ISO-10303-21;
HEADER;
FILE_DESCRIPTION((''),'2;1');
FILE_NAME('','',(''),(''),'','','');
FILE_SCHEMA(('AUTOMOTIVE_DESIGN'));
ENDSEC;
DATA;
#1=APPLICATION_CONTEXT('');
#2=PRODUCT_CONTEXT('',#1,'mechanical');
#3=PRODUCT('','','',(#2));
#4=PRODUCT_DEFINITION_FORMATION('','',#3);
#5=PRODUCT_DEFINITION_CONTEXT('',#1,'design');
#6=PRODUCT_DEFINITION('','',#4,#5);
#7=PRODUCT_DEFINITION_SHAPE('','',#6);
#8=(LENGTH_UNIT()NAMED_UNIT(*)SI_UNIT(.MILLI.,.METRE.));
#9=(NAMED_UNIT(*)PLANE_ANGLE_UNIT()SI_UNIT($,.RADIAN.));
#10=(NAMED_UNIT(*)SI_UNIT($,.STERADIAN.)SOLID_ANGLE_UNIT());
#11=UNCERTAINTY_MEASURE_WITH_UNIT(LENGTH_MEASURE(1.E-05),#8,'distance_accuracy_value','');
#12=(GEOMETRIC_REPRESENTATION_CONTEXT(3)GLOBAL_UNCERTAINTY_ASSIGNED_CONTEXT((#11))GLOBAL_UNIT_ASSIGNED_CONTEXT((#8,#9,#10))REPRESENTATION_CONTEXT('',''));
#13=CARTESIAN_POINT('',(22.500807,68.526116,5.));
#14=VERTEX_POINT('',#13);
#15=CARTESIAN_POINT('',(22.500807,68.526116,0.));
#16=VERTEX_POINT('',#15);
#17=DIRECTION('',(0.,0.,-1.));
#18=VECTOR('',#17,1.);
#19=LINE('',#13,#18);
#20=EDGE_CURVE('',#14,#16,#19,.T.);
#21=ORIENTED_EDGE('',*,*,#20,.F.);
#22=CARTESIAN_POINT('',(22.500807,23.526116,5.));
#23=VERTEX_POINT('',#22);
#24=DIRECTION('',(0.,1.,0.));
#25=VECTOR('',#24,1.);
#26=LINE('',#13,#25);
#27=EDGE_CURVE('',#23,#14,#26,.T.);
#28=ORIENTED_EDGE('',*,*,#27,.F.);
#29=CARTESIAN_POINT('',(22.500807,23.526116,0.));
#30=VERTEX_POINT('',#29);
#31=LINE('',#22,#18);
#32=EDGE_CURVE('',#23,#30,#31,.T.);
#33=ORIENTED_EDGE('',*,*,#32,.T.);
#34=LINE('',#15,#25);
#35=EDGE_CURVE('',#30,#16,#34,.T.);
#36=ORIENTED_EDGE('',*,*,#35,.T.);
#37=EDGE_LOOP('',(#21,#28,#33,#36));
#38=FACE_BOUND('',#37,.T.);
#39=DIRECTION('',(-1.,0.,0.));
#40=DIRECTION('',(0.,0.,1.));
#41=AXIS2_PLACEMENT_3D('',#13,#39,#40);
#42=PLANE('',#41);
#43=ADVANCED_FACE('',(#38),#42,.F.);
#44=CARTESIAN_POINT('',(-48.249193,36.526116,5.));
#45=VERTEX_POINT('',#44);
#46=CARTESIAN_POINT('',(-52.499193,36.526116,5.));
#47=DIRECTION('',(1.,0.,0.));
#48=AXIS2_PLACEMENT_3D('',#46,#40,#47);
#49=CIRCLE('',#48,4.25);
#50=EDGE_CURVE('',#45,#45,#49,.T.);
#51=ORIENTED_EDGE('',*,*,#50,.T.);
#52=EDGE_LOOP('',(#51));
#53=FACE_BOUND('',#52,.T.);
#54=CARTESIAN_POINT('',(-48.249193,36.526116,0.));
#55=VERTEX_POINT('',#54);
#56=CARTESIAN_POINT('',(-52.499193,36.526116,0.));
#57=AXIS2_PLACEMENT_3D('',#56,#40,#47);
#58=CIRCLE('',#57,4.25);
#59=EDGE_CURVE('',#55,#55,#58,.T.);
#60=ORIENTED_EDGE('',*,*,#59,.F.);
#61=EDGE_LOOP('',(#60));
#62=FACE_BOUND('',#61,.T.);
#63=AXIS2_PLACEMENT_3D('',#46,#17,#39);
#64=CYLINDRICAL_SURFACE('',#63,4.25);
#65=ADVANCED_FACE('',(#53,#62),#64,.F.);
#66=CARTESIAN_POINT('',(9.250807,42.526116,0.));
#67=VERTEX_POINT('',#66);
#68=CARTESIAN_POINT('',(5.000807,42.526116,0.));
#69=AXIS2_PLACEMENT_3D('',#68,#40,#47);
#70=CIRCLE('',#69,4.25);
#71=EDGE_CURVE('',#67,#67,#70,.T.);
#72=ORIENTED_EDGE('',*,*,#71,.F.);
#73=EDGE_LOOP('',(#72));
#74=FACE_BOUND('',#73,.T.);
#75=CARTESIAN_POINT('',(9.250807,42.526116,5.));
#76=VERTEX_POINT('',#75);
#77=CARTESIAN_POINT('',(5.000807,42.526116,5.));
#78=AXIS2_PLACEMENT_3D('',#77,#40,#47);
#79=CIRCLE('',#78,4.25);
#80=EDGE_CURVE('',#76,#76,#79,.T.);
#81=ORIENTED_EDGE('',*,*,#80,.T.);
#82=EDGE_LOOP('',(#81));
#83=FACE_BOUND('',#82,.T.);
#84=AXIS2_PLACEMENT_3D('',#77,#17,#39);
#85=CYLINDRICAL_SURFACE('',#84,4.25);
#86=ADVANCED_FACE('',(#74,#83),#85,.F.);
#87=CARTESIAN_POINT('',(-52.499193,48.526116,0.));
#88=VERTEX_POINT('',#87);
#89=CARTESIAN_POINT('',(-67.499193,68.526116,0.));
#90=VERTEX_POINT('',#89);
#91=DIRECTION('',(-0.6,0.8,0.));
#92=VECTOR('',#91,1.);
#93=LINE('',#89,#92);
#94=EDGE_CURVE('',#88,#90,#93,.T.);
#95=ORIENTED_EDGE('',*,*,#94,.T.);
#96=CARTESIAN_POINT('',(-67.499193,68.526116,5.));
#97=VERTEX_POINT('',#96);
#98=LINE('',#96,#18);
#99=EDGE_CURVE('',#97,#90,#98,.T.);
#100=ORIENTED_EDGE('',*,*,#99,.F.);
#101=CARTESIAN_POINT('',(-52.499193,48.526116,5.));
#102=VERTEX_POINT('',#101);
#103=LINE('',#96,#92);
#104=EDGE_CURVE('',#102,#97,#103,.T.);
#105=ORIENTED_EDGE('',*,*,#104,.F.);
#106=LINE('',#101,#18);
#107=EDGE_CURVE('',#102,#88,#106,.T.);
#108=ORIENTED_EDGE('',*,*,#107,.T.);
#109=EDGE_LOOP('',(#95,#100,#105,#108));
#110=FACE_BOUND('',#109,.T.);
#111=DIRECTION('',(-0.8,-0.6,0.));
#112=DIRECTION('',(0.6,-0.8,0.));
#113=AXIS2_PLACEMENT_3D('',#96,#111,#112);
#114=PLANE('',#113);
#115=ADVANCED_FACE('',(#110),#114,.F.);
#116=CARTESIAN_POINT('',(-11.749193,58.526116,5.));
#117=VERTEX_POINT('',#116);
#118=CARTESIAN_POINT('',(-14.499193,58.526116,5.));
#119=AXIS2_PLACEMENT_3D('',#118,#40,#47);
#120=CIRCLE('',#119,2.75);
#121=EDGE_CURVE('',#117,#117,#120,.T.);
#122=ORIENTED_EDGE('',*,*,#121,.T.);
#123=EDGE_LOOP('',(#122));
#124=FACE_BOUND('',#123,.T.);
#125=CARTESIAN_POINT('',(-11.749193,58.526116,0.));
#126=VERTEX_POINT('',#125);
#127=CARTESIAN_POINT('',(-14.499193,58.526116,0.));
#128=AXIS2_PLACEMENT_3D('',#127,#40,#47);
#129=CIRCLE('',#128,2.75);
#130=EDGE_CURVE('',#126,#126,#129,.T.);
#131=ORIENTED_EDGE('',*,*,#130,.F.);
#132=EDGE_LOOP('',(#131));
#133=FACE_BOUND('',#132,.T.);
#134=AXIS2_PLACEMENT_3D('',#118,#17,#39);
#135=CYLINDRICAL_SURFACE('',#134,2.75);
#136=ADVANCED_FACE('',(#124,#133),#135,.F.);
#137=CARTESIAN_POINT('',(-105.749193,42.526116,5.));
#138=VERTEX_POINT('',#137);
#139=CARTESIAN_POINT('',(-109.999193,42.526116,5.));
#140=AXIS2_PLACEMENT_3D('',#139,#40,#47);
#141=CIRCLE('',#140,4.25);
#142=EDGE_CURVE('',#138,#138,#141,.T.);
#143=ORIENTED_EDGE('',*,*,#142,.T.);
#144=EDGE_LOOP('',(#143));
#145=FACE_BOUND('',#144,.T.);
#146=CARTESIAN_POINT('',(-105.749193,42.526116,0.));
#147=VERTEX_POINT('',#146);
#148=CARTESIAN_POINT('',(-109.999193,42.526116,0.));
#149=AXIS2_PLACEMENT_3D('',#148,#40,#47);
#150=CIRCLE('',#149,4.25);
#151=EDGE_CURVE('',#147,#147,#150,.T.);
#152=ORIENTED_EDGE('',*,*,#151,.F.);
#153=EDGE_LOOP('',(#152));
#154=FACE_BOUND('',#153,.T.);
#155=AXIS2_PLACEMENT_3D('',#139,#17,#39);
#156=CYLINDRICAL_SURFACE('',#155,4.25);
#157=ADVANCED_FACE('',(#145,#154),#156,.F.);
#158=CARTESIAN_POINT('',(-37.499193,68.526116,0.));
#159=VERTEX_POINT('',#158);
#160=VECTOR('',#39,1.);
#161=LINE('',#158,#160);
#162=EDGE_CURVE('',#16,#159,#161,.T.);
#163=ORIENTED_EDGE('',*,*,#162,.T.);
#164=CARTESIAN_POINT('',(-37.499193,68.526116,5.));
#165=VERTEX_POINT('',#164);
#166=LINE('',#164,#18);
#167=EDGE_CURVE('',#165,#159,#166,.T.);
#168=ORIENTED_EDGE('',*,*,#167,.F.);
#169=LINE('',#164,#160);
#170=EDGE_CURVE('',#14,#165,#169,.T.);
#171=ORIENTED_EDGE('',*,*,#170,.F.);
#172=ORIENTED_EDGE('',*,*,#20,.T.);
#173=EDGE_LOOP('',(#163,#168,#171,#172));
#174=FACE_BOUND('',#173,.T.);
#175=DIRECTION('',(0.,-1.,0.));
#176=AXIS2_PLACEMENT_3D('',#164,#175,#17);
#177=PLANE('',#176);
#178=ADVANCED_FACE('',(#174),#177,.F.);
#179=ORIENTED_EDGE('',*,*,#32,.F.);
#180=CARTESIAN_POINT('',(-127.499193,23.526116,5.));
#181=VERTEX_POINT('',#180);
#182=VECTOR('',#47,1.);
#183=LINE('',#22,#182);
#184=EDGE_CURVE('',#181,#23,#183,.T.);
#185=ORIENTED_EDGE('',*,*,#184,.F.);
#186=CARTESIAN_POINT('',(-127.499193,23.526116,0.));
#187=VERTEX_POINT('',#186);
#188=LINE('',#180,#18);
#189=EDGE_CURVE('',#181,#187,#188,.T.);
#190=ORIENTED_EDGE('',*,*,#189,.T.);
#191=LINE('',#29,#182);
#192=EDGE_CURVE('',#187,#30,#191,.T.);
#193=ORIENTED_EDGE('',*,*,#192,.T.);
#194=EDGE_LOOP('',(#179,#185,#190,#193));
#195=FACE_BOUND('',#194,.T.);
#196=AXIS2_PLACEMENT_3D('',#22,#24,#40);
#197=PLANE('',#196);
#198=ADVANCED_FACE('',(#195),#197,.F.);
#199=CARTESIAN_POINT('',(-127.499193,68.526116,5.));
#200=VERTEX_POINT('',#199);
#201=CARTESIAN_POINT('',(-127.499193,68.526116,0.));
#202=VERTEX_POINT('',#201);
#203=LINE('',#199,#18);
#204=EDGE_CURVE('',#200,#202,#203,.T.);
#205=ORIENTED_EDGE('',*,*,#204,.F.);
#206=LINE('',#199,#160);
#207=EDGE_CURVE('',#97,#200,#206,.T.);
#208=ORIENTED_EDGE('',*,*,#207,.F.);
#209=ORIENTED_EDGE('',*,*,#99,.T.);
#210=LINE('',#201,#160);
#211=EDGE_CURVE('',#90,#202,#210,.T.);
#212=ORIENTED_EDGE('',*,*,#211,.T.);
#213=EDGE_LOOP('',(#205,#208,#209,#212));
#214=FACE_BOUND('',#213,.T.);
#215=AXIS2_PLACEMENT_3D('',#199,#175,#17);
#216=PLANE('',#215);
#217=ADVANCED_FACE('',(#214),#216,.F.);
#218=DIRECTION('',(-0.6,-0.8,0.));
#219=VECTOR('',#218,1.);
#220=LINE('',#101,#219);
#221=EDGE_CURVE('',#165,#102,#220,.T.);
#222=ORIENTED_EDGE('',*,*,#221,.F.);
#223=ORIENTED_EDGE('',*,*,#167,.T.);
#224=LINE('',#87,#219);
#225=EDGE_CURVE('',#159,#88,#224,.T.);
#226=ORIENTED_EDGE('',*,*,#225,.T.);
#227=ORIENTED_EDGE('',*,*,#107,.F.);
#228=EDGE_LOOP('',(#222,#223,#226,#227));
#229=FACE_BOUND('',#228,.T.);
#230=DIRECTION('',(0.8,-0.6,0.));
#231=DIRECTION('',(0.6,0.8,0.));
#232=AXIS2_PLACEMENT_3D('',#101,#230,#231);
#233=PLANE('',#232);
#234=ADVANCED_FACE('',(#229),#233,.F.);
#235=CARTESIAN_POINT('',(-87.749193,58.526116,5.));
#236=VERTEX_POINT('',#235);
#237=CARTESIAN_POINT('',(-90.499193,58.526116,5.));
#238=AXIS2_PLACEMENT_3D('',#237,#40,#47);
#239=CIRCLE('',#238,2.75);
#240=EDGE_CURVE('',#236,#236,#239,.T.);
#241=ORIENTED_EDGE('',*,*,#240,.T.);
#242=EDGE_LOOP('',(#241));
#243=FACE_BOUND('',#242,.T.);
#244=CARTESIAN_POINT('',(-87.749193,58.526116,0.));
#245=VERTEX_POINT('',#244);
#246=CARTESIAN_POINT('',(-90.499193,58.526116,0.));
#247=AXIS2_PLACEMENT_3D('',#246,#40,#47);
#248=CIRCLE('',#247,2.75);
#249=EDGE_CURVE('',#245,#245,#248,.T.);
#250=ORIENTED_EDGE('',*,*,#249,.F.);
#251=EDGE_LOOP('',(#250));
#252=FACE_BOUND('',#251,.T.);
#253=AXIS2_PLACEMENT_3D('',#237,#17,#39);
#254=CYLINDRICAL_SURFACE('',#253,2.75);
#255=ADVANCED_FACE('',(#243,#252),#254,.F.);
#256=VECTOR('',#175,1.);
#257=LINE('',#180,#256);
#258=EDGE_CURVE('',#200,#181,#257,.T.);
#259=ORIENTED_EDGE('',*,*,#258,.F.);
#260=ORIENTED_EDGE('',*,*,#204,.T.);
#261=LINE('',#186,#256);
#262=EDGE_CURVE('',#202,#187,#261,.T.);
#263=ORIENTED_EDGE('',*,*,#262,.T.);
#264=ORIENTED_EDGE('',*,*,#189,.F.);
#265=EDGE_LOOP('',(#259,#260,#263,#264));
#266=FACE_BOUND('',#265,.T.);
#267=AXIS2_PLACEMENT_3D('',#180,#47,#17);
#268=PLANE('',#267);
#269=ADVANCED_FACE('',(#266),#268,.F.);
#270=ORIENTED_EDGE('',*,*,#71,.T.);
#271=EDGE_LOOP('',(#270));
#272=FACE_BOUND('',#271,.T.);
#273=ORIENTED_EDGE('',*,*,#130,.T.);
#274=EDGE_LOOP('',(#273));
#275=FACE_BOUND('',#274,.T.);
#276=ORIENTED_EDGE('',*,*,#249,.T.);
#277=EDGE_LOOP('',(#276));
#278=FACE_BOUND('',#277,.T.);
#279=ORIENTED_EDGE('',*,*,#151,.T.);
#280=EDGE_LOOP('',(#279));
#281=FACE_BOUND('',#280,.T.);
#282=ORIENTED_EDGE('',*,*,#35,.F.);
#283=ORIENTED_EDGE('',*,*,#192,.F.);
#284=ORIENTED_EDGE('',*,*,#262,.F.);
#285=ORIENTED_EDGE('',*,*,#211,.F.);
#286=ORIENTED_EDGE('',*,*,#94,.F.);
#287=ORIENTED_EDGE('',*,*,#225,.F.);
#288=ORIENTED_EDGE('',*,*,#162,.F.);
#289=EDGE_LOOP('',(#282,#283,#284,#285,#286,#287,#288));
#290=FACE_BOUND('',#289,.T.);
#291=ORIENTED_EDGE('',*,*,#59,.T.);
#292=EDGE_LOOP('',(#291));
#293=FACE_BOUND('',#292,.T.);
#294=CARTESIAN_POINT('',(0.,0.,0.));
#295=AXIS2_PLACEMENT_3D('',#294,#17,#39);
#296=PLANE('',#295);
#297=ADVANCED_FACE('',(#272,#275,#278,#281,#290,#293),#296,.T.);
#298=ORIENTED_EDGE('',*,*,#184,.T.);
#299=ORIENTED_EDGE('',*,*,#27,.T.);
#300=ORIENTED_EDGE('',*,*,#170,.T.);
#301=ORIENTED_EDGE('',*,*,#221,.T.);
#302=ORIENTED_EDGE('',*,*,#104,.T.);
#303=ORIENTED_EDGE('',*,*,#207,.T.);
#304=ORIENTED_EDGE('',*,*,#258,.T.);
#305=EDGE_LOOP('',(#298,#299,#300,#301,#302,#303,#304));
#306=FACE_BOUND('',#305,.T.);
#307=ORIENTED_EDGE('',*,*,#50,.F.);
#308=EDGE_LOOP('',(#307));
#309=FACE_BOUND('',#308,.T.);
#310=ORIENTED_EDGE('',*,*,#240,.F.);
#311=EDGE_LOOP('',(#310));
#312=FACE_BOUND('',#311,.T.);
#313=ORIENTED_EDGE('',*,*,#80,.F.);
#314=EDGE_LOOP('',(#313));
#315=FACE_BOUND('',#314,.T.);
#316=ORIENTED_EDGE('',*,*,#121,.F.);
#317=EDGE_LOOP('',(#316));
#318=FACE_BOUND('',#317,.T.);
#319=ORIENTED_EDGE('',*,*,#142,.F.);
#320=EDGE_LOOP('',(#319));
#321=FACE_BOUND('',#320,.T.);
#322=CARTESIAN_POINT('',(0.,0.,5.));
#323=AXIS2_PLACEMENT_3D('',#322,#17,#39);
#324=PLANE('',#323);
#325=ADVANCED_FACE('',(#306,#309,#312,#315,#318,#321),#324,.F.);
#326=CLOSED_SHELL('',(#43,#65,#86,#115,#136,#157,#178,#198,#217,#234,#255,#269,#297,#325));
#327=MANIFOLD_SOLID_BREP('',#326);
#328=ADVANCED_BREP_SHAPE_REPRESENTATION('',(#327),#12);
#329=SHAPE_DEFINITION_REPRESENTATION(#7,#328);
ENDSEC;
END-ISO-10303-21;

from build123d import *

# Parameters (mm, degrees)
SKETCH1_R           = 4.25
SKETCH1_R_2         = 2.75
BOSS_EXTRUDE1_DEPTH = 5


with BuildPart() as part:
    # Sketch1 → Boss-Extrude1 (new body)
    with BuildSketch(Plane.XY):
        Polygon((-127.499192618, 23.526116329), (-127.499192618, 68.526116329), (-67.499192618, 68.526116329), (-52.499192618, 48.526116329), (-37.499192618, 68.526116329), (22.500807382, 68.526116329), (22.500807382, 23.526116329), align=None)
        with Locations((-109.999192618, 42.526116329)):
            Circle(SKETCH1_R, mode=Mode.SUBTRACT)
        with Locations((5.000807382, 42.526116329)):
            Circle(SKETCH1_R, mode=Mode.SUBTRACT)
        with Locations((-52.499192618, 36.526116329)):
            Circle(SKETCH1_R, mode=Mode.SUBTRACT)
        with Locations((-90.499192618, 58.526116329)):
            Circle(SKETCH1_R_2, mode=Mode.SUBTRACT)
        with Locations((-14.499192618, 58.526116329)):
            Circle(SKETCH1_R_2, mode=Mode.SUBTRACT)
    extrude(amount=BOSS_EXTRUDE1_DEPTH)


solid = part.part
